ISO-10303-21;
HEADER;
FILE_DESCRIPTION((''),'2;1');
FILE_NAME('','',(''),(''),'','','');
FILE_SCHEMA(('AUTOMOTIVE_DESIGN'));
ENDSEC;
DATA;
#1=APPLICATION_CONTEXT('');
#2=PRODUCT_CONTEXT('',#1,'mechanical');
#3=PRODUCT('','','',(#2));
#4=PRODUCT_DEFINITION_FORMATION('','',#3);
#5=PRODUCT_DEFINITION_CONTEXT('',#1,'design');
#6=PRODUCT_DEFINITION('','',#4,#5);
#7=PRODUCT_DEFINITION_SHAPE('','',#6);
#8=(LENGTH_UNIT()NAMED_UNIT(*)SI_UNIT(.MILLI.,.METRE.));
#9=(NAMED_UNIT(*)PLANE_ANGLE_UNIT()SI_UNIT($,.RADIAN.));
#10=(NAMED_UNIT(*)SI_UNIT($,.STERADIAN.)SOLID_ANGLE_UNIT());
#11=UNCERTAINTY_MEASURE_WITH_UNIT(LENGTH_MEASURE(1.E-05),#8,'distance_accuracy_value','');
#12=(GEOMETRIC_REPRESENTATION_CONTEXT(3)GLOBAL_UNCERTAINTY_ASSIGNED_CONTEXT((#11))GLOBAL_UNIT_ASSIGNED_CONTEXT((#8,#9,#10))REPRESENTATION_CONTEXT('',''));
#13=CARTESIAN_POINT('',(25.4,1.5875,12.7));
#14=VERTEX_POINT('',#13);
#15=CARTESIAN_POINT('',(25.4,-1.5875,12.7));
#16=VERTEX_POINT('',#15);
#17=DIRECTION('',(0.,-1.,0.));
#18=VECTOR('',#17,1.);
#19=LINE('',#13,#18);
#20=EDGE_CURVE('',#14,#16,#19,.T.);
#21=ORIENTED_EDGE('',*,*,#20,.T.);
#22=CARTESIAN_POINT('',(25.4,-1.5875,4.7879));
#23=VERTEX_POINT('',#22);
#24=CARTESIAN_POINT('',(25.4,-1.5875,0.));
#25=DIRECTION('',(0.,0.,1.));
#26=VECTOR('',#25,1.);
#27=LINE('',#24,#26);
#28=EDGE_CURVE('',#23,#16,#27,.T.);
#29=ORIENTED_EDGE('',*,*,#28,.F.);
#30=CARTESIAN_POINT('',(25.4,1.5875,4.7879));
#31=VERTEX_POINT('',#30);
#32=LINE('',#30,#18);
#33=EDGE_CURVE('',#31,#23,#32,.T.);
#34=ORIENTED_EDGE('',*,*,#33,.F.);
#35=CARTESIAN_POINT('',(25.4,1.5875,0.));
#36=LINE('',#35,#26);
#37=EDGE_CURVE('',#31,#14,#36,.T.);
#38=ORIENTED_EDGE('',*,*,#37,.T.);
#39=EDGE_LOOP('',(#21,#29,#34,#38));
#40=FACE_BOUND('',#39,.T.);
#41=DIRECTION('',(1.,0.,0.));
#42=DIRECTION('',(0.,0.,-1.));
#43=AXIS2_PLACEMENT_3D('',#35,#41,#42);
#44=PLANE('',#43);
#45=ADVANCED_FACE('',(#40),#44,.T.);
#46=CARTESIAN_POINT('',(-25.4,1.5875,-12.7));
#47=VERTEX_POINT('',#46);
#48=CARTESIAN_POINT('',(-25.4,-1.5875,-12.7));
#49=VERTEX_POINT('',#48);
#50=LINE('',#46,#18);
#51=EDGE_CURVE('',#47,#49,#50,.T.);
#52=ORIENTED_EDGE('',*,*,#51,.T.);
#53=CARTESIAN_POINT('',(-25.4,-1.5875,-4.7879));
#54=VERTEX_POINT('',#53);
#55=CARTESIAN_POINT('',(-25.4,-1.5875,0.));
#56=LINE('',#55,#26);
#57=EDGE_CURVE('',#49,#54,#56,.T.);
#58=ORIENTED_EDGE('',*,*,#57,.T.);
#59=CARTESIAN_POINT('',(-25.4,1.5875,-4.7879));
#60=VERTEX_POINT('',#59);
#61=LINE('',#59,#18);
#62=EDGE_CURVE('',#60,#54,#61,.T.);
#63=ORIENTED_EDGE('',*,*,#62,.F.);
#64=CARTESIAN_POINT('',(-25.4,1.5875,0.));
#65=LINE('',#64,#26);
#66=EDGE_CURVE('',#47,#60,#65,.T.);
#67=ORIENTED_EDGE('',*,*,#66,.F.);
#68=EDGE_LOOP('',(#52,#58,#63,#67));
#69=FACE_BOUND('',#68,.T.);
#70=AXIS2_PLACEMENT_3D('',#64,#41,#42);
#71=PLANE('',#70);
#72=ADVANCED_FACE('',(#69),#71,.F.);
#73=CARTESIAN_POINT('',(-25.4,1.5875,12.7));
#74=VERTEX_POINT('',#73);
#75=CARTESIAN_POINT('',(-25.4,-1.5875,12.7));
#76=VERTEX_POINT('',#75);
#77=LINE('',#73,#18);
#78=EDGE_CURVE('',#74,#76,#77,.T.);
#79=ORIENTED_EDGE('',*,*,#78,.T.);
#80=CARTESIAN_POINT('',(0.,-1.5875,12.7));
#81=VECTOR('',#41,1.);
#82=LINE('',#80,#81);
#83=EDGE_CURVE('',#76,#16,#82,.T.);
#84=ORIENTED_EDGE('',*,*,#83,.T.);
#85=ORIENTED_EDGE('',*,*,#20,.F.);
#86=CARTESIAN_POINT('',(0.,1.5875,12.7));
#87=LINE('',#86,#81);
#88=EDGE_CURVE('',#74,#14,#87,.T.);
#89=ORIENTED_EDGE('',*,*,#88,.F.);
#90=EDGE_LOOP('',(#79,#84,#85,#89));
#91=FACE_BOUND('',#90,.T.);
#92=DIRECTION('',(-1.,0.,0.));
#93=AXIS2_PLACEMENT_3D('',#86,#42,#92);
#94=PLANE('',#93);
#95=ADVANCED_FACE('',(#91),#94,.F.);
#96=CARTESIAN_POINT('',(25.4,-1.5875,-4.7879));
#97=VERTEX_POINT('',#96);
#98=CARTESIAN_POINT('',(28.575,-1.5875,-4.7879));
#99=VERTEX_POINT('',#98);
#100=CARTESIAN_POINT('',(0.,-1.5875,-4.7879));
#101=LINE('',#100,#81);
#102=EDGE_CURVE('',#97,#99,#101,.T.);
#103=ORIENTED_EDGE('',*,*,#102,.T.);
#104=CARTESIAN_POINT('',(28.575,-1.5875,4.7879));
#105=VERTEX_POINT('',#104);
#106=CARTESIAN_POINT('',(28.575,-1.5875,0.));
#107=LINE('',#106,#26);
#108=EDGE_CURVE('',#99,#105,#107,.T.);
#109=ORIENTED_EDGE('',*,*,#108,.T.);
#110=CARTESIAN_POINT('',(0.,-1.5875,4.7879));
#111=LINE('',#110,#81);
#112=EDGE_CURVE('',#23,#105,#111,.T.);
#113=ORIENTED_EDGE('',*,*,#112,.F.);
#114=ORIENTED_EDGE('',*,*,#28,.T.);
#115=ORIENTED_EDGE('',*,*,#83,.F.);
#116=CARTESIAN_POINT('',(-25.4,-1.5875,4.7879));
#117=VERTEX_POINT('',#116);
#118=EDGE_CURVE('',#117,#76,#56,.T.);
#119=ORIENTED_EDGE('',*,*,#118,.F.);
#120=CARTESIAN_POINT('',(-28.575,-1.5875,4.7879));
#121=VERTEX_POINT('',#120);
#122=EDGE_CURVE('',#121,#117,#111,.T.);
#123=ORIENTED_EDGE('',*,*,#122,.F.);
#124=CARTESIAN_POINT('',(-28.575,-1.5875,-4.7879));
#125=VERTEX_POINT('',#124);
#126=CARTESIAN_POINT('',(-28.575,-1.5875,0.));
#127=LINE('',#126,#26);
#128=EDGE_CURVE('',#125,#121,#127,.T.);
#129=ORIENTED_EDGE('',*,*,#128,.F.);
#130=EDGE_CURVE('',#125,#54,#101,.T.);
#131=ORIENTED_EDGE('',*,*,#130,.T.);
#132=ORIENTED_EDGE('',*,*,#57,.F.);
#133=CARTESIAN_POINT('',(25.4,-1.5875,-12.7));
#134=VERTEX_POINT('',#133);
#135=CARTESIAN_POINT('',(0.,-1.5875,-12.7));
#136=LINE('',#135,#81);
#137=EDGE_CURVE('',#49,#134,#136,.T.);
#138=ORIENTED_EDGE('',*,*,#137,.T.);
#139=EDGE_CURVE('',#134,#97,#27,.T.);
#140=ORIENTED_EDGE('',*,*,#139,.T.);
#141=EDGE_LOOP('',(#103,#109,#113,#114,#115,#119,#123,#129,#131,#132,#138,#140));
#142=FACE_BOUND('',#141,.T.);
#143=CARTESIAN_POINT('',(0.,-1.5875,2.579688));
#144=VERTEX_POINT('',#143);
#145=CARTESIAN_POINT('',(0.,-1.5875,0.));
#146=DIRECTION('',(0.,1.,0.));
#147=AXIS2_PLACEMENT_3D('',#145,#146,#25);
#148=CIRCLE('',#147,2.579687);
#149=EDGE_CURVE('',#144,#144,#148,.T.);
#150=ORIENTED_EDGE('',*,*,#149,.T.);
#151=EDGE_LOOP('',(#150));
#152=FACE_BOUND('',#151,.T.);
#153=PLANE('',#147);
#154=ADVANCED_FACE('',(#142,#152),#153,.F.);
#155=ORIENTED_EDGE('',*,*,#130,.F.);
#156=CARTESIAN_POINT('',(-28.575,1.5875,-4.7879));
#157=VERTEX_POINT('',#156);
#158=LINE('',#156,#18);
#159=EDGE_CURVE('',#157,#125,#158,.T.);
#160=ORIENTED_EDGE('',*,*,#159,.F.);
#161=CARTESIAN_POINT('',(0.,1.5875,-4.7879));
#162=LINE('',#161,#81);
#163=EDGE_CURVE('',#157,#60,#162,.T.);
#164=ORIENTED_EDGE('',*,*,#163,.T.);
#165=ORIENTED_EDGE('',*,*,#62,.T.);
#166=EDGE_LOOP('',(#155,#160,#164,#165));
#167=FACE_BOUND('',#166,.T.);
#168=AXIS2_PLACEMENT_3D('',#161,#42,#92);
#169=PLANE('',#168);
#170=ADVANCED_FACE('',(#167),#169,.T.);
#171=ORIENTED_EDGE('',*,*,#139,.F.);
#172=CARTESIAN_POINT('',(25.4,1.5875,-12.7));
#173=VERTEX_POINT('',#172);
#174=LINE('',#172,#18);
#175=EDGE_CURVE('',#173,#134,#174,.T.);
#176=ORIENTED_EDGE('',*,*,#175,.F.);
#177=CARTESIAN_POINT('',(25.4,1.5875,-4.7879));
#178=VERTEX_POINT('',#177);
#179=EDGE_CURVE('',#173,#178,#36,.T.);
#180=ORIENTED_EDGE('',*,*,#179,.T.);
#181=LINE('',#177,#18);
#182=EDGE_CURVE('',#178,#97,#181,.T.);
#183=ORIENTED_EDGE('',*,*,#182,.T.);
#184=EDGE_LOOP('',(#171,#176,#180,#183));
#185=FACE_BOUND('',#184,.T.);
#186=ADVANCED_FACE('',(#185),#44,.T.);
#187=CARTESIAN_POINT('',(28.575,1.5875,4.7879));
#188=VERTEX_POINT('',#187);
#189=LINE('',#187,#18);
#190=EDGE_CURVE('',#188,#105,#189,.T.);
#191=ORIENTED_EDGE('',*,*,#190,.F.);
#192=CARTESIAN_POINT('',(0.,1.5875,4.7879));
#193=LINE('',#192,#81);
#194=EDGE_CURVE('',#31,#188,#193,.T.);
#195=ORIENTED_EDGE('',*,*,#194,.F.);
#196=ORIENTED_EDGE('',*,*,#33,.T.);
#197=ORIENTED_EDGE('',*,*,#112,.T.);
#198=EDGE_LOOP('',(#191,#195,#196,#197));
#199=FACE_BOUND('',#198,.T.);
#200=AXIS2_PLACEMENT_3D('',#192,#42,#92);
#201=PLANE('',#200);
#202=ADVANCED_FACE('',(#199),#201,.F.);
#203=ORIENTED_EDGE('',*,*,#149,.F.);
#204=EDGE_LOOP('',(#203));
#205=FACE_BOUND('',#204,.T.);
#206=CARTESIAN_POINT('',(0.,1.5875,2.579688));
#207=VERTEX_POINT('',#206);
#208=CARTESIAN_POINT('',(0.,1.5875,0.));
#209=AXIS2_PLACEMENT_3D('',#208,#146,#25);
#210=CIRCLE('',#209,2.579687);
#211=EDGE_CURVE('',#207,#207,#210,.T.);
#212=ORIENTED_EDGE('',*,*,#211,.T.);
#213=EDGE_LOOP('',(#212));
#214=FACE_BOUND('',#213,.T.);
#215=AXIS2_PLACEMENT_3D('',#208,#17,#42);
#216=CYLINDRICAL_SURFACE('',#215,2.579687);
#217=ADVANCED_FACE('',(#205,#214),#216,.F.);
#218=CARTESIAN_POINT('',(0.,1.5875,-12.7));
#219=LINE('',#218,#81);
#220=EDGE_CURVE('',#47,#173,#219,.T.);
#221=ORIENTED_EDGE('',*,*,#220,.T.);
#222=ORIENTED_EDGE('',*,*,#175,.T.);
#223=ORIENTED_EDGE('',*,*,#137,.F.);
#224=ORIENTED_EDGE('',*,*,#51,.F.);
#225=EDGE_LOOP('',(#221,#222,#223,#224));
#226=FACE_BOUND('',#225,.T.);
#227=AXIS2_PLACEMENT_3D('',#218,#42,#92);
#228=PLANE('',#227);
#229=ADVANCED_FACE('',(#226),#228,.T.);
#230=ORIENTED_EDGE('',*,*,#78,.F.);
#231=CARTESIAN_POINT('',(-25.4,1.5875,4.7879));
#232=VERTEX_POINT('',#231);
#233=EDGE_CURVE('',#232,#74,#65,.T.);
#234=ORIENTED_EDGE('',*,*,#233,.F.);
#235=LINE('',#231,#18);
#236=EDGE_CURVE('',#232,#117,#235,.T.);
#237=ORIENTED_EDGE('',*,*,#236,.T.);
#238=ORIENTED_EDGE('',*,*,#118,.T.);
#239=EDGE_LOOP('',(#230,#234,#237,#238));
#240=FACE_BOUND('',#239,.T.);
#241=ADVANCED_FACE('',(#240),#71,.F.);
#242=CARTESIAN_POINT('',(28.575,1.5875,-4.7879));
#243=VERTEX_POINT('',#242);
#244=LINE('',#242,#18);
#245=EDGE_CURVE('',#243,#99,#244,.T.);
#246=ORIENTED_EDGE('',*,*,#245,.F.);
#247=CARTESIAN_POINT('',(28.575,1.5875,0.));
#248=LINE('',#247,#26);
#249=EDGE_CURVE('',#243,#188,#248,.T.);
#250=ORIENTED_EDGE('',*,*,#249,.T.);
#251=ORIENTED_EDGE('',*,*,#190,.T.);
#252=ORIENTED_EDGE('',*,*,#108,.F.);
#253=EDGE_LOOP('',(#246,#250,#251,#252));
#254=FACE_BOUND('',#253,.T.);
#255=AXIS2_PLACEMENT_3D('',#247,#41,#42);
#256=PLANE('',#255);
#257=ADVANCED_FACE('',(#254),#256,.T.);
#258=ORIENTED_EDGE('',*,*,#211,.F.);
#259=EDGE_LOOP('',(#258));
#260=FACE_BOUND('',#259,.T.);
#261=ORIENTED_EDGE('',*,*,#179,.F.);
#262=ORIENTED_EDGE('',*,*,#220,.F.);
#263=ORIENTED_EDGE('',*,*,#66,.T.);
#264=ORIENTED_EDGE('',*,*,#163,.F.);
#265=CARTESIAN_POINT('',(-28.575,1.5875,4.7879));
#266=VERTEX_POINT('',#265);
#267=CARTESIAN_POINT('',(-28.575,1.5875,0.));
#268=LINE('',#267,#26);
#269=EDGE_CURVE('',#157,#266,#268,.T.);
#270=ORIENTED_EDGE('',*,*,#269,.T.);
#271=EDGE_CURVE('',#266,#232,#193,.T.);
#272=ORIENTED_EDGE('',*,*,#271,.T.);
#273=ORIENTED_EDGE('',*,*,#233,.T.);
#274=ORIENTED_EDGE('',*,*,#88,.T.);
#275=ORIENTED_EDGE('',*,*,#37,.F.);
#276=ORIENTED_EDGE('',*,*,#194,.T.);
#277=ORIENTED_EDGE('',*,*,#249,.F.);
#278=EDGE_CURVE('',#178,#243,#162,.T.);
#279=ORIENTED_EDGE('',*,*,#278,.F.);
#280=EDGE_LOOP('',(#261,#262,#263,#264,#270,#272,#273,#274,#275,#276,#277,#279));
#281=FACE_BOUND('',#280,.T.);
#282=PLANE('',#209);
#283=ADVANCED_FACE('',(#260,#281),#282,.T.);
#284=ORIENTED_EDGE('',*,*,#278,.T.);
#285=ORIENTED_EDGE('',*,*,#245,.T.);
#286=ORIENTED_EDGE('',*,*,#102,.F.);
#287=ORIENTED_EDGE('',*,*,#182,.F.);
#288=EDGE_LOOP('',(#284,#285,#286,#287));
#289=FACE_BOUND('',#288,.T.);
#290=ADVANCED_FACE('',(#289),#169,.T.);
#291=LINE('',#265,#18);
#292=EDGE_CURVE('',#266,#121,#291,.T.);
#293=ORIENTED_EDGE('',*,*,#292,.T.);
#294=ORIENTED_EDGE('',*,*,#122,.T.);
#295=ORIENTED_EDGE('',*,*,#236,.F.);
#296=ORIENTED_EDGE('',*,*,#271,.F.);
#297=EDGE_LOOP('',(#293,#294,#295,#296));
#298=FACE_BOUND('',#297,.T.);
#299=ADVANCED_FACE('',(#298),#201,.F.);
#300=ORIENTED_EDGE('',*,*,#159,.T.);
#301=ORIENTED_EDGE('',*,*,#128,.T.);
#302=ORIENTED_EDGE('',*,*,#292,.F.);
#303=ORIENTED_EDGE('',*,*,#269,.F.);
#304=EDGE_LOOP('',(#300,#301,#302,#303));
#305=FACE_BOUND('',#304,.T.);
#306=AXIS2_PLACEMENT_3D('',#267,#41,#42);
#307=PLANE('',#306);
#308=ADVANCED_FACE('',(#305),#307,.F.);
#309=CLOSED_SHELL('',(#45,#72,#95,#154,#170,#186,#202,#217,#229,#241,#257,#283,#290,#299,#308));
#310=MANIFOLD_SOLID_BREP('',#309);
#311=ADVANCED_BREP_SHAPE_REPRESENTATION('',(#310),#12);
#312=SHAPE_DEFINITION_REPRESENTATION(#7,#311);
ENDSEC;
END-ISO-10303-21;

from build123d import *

# Parameters (mm, degrees)
SKETCH1_R           = 2.5796875
BOSS_EXTRUDE1_DEPTH = 1.5875


with BuildPart() as part:
    # Sketch1 → Boss-Extrude1 (new body, symmetric)
    with BuildSketch(Plane(origin=(0, 0, 0), x_dir=(1, 0, 0), z_dir=(0, 1, 0))):
        Polygon((25.4, -4.7879), (25.4, -12.7), (-25.4, -12.7), (-25.4, -4.7879), (-28.575, -4.7879), (-28.575, 4.7879), (-25.4, 4.7879), (-25.4, 12.7), (25.4, 12.7), (25.4, 4.7879), (28.575, 4.7879), (28.575, -4.7879), align=None)
        Circle(SKETCH1_R, mode=Mode.SUBTRACT)
    extrude(amount=BOSS_EXTRUDE1_DEPTH, both=True)


solid = part.part
